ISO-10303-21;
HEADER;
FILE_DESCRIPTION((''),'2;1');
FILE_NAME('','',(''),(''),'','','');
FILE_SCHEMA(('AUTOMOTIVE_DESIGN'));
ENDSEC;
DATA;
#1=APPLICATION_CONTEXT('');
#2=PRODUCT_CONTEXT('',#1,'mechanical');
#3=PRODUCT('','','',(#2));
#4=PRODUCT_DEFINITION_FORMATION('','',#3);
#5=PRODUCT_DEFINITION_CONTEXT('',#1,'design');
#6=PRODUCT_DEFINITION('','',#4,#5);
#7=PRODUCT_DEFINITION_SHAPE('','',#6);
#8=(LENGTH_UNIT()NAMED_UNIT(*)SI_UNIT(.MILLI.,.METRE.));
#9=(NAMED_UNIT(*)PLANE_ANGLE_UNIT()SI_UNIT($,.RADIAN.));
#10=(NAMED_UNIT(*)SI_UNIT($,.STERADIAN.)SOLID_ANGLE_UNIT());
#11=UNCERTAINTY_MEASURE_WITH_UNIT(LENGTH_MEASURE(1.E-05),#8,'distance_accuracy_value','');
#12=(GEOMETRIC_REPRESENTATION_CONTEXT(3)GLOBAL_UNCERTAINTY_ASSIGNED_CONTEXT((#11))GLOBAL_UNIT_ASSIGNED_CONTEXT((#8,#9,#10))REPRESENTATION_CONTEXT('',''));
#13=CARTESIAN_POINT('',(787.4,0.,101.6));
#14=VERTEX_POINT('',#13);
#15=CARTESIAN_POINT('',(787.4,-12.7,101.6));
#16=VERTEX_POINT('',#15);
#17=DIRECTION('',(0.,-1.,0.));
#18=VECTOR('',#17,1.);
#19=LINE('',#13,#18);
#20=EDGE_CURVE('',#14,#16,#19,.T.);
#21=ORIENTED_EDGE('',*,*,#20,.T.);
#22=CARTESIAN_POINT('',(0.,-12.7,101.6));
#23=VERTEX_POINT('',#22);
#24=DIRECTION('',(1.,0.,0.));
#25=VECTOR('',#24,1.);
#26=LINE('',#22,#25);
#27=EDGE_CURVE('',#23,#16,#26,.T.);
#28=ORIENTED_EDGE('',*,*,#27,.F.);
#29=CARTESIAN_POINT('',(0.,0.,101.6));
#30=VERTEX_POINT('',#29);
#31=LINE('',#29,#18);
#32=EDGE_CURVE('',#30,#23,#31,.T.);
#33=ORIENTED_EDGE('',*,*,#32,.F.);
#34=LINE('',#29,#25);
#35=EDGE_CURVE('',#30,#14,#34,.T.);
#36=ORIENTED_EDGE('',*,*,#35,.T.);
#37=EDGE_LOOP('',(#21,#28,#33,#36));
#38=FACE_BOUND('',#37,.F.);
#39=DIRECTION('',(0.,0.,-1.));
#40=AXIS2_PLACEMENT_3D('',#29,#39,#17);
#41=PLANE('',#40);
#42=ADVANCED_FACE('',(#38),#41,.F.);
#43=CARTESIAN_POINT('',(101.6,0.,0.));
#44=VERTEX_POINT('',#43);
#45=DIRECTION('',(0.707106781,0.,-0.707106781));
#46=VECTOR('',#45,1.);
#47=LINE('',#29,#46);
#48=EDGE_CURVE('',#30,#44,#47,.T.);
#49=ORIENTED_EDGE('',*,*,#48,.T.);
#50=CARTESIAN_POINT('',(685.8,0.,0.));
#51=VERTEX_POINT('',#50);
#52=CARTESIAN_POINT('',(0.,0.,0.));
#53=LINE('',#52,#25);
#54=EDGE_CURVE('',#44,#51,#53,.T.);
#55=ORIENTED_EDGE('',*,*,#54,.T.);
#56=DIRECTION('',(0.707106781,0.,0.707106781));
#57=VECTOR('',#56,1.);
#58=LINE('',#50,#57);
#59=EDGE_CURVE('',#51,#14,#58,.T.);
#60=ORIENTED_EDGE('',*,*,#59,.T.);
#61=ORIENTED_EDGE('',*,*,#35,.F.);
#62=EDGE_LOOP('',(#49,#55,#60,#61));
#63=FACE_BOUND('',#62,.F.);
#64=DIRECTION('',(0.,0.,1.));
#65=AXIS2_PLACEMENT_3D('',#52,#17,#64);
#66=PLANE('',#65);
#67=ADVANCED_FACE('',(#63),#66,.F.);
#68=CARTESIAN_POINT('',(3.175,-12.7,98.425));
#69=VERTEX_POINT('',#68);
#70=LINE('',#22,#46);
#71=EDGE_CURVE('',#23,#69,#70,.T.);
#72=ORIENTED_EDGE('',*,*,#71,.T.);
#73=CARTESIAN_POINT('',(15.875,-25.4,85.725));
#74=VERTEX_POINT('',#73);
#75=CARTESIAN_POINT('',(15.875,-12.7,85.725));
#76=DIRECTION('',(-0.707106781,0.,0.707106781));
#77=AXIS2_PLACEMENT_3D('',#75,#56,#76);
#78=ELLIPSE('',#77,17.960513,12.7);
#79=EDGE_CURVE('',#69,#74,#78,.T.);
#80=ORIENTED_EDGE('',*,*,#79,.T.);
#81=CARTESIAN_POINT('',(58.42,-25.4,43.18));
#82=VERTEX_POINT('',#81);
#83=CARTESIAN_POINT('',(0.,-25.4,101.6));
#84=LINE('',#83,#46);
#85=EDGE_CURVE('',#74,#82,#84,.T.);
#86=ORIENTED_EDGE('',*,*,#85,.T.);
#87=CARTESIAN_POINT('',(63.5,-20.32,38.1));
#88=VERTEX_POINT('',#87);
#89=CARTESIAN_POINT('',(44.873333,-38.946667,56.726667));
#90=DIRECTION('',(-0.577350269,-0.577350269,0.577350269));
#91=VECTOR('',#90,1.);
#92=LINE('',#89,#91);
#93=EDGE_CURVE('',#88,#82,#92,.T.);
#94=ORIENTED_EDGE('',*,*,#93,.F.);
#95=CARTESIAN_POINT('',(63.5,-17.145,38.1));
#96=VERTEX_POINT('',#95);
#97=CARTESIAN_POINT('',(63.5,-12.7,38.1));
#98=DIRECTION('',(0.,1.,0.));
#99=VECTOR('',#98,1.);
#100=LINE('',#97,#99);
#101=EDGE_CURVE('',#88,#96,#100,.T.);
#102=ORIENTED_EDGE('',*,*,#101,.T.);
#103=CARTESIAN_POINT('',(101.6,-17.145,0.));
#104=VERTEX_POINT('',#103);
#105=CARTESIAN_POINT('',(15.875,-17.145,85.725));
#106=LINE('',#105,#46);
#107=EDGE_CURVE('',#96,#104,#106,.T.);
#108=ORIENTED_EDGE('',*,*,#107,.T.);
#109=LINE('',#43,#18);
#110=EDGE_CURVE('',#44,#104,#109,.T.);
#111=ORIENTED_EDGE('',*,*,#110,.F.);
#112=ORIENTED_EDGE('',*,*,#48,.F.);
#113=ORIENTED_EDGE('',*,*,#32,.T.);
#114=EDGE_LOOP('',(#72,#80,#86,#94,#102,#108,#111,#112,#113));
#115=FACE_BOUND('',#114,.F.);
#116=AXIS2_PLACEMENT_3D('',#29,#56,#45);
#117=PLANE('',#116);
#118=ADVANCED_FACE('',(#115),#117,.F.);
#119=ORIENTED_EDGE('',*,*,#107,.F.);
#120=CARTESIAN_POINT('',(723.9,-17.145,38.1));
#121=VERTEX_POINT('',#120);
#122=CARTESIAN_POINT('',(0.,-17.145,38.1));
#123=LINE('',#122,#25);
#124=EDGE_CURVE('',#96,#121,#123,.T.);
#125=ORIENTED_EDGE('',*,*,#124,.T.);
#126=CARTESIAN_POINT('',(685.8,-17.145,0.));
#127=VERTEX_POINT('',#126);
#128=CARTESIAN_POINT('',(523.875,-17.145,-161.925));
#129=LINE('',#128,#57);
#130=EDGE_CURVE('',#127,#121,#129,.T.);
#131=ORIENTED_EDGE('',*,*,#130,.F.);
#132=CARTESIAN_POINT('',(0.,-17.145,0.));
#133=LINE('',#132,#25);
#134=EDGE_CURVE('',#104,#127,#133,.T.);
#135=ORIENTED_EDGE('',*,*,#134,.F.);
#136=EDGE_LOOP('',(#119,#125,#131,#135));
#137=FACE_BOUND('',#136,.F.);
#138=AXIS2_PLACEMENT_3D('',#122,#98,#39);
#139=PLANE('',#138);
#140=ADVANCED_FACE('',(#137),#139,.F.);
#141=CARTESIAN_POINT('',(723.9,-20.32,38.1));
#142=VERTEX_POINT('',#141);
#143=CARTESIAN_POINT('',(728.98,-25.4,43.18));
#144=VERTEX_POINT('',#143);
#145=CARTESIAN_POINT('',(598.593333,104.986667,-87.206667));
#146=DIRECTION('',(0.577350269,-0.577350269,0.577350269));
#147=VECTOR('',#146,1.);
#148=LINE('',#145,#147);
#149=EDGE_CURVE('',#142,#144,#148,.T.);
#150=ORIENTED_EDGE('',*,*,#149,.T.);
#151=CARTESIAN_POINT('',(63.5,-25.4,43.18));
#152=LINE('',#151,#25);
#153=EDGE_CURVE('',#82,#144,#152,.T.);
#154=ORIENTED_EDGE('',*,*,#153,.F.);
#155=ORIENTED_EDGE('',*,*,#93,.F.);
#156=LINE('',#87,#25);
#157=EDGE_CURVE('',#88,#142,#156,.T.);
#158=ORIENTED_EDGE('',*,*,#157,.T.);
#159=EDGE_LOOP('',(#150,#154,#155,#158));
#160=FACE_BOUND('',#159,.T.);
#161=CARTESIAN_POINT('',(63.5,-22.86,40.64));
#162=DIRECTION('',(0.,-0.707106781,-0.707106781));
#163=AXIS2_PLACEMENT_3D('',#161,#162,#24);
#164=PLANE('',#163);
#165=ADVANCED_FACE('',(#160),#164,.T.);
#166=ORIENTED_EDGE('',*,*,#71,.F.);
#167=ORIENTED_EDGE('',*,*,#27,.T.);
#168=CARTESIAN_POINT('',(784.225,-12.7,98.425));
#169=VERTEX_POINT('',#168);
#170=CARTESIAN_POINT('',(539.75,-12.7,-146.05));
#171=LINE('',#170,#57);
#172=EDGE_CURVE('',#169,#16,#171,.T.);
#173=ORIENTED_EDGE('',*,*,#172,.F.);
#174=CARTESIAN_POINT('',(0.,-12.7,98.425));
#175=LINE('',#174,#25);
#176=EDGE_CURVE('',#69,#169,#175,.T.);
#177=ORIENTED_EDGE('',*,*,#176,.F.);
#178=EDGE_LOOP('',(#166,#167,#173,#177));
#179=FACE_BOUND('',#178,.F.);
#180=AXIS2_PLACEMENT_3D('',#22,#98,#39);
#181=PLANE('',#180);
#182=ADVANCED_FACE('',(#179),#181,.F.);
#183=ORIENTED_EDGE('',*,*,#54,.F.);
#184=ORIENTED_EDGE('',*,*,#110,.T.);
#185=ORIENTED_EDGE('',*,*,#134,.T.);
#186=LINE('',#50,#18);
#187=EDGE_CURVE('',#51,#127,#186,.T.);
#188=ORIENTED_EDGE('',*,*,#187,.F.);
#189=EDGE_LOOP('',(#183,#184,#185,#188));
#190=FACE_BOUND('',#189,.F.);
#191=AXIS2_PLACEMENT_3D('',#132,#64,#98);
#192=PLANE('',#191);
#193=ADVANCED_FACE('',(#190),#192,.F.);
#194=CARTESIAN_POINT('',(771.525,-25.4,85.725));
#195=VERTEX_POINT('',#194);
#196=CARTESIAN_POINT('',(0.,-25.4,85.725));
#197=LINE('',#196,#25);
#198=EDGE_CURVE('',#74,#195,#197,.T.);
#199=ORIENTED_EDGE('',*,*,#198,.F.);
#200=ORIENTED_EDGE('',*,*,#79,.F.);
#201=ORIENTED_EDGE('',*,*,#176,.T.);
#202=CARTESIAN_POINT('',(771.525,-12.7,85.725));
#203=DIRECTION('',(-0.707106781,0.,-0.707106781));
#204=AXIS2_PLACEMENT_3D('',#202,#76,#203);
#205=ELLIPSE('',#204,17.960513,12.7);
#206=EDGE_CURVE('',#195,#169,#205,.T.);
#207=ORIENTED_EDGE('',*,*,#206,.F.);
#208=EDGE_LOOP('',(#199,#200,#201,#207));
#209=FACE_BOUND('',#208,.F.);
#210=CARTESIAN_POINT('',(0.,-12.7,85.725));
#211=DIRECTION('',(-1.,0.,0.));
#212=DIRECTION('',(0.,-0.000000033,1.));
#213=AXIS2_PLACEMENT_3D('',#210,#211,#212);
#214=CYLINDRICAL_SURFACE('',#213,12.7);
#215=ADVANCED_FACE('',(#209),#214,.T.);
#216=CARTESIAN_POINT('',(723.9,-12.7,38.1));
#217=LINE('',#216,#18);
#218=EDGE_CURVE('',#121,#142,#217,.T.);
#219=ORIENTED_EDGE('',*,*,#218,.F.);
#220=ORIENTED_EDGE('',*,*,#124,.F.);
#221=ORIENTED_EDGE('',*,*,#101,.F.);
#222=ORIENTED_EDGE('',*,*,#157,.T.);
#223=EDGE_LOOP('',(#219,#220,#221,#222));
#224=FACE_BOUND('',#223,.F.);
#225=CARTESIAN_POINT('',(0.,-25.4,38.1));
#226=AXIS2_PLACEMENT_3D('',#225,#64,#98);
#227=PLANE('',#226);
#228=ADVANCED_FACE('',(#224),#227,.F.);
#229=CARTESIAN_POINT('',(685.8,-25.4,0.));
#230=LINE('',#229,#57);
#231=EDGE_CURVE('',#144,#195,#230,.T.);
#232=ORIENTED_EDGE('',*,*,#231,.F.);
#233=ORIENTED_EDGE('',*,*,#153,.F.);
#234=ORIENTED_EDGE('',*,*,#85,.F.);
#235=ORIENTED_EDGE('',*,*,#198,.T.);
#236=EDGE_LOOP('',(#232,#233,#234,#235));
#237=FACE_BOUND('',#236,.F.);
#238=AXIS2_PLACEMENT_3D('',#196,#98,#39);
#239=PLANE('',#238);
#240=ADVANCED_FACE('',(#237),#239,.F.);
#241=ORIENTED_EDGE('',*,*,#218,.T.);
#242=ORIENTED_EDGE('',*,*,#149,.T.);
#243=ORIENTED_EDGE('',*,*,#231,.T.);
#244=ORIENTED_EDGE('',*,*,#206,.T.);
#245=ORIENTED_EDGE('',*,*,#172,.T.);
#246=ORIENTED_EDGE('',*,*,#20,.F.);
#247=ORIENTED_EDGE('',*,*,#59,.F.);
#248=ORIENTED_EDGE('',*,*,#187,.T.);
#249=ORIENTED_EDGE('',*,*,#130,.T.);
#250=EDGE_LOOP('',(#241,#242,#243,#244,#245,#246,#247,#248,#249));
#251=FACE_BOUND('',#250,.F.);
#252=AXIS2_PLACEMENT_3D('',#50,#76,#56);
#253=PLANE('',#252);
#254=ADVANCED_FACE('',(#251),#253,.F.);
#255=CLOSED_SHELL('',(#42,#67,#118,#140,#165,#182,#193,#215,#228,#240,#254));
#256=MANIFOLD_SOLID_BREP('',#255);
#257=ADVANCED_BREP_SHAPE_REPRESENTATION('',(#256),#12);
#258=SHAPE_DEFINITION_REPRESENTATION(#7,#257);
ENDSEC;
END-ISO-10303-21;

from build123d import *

# Parameters (mm, degrees)
F1_DEPTH = 787.4
F3_DEPTH = 25.4
F4_SIZE  = 5.08


with BuildPart() as f1:
    # F0 (on Right) → F1 (new body)
    with BuildSketch(Plane.YZ):
        with BuildLine():
            Line((-17.145, 0), (0, 0))
            Line((0, 0), (0, 101.6))
            Line((0, 101.6), (-12.7, 101.6))
            Line((-12.7, 101.6), (-12.7, 98.425))
            ThreePointArc((-12.7, 98.425), (-21.680256, 94.705256), (-25.4, 85.725))
            Line((-25.4, 85.725), (-25.4, 38.1))
            Line((-25.4, 38.1), (-17.145, 38.1))
            Line((-17.145, 38.1), (-17.145, 0))
        make_face()
    extrude(amount=F1_DEPTH)

    # F2 (on face) → F3 (cut)
    with BuildSketch(Plane(origin=(0, 0, 0), x_dir=(-1, 0, 0), z_dir=(0, 1, 0))):
        Polygon((-685.8, 0), (-787.4, 101.6), (-787.4, 0), align=None)
        Polygon((0, 0), (0, 101.6), (-101.6, 0), align=None)
    extrude(amount=-F3_DEPTH, mode=Mode.SUBTRACT)

    # F4
    f4_edges = [f1.edges().sort_by_distance(p)[0] for p in [
        (393.7, -25.4, 38.1),
    ]]
    chamfer(f4_edges, length=F4_SIZE)


solid = f1.part
